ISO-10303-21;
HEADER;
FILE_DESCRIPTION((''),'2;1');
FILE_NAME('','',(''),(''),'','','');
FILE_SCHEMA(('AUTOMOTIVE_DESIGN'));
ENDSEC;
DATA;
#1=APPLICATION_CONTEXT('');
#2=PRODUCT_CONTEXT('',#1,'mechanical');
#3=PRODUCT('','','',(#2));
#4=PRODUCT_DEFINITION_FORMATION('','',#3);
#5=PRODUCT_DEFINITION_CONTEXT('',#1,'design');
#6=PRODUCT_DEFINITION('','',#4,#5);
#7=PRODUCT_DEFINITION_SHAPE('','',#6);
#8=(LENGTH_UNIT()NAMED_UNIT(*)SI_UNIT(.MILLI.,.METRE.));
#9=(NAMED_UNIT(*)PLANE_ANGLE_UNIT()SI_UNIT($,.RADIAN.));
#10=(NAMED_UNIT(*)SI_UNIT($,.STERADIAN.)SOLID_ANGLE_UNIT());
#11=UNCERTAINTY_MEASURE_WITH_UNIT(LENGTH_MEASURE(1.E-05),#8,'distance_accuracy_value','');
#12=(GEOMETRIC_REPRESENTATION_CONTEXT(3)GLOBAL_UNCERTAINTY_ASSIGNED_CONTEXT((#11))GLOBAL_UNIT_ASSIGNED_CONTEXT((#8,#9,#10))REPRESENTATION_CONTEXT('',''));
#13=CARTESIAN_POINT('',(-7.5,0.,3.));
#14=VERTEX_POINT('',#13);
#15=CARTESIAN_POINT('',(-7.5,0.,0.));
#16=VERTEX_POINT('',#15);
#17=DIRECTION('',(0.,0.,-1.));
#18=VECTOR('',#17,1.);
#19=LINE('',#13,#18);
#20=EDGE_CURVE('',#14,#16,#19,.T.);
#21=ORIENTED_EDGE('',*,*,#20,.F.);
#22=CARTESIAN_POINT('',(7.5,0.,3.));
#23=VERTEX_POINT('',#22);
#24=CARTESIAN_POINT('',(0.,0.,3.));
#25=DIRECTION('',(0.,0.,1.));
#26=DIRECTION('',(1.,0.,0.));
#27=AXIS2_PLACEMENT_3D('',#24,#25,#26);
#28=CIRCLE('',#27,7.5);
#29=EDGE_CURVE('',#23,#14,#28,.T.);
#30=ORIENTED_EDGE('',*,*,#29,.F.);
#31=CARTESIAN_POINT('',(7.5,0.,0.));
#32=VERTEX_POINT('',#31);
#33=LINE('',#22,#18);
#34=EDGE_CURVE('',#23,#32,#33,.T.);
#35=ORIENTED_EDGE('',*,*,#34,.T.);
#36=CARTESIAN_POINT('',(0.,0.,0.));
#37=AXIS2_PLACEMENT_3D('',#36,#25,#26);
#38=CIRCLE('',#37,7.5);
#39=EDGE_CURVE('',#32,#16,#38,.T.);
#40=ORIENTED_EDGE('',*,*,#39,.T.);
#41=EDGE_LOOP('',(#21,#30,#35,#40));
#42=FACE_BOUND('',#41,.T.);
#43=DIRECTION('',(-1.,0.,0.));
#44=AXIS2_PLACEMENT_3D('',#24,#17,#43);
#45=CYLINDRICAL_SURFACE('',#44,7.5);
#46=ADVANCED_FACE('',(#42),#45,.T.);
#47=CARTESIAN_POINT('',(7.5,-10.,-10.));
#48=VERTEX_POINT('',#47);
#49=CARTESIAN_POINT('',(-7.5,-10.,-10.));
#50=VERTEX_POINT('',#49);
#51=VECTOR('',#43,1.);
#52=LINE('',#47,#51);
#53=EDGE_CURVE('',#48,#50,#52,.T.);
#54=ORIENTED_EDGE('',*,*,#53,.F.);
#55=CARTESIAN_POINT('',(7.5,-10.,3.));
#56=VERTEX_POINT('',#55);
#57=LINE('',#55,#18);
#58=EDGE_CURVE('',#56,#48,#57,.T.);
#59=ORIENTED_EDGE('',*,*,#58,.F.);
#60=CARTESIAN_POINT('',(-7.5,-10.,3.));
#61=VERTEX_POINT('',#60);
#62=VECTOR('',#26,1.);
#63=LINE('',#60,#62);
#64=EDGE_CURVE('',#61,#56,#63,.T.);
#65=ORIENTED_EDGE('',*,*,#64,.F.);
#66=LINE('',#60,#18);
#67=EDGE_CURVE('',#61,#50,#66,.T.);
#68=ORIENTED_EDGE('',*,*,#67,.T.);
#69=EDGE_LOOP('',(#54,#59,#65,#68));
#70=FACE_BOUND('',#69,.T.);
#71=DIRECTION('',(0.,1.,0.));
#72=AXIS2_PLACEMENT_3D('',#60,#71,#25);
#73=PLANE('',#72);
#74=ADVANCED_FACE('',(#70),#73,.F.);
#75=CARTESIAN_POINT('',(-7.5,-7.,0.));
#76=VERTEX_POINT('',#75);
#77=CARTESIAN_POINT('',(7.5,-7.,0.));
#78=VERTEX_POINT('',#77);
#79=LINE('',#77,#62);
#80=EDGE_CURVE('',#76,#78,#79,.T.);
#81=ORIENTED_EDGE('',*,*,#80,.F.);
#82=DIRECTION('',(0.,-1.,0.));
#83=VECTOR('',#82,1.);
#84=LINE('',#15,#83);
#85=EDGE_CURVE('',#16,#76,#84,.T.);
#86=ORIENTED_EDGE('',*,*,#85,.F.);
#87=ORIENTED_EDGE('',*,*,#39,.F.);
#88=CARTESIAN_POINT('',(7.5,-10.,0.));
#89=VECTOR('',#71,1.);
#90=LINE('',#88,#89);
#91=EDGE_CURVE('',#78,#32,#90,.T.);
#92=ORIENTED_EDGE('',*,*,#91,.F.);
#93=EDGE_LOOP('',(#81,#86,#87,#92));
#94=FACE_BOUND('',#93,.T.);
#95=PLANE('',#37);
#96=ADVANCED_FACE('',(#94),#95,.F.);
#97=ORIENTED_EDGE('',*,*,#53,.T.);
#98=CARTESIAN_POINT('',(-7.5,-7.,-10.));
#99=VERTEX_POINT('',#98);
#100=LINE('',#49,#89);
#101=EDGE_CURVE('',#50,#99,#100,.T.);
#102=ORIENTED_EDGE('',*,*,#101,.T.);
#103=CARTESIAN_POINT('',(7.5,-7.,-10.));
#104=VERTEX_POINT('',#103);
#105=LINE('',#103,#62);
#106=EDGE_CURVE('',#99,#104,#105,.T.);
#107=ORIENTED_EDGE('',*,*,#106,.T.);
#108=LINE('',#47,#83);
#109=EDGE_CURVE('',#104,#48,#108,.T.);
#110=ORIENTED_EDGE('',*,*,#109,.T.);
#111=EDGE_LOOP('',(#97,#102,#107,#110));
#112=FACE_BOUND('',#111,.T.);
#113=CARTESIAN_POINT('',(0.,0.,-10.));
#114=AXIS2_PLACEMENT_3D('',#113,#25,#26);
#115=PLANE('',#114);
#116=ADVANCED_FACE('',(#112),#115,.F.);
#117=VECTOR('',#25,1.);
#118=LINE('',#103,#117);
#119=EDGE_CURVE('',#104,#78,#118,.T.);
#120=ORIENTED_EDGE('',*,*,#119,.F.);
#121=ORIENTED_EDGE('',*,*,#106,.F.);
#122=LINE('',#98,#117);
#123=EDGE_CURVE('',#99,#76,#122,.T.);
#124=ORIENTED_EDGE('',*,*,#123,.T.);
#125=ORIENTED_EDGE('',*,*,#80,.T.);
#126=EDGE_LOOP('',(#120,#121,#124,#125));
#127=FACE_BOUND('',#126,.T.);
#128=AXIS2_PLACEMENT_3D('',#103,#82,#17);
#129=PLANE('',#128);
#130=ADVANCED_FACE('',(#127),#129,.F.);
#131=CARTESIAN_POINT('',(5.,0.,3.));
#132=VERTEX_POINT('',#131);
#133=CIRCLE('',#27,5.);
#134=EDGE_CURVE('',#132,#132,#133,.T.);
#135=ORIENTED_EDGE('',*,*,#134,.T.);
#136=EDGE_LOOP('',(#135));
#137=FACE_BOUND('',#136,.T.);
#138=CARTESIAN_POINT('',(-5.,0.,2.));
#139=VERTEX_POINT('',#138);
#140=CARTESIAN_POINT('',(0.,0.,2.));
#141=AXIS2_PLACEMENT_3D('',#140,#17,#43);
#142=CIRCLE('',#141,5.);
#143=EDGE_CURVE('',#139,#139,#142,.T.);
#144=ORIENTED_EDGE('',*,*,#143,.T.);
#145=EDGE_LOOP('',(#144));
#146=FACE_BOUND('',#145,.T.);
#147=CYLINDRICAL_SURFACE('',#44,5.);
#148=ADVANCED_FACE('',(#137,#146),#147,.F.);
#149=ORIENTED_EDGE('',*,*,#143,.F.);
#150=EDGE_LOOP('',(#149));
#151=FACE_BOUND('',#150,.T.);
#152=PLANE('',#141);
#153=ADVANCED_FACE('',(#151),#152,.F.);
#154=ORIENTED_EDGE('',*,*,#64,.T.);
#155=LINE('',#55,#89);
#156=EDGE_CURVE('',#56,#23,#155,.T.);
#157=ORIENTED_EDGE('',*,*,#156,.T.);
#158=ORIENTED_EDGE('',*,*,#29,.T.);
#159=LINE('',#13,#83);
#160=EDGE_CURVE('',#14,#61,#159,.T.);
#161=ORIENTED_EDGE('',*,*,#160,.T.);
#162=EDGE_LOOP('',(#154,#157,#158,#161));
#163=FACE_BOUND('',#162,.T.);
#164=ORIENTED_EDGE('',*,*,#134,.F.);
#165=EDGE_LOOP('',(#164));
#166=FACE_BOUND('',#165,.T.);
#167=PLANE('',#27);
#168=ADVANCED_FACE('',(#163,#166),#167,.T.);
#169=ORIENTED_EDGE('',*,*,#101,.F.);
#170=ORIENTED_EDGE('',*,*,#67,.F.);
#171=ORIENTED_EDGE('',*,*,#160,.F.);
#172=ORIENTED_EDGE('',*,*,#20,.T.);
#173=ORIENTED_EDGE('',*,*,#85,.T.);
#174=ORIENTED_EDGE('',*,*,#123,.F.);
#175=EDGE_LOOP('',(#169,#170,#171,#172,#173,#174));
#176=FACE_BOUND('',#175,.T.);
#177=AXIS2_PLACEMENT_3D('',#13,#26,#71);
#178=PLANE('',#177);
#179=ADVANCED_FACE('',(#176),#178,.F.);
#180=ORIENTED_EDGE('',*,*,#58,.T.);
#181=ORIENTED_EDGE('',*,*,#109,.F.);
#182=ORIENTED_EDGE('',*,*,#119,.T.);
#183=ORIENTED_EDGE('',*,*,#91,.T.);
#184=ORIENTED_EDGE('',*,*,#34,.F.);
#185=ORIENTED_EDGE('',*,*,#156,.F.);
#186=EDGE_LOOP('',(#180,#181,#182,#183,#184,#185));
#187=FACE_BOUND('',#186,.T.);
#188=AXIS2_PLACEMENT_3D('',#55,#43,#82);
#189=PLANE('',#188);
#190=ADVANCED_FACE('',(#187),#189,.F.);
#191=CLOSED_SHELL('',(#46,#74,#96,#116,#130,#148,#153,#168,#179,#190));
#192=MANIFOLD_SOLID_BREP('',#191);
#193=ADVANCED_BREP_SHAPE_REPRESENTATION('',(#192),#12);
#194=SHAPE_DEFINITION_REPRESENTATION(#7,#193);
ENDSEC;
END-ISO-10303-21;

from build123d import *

# Parameters (mm, degrees)
SKETCH6_R           = 5
BOSS_EXTRUDE5_DEPTH = 3
SKETCH7_R           = 5
BOSS_EXTRUDE6_DEPTH = 2
SKETCH8_W           = 15
SKETCH8_H           = 3
BOSS_EXTRUDE7_DEPTH = 10


with BuildPart() as part:
    # Sketch6 → Boss-Extrude5 (new body)
    with BuildSketch(Plane.XY):
        with BuildLine():
            Line((-7.5, 0), (-7.5, -10))
            Line((-7.5, -10), (7.5, -10))
            Line((7.5, -10), (7.5, 0))
            ThreePointArc((7.5, 0), (0, 7.5), (-7.5, 0))
        make_face()
        Circle(SKETCH6_R, mode=Mode.SUBTRACT)
    extrude(amount=BOSS_EXTRUDE5_DEPTH)

    # Sketch7 → Boss-Extrude6 (add)
    with BuildSketch(Plane(origin=(0, 0, 0), x_dir=(-1, 0, 0), z_dir=(0, 0, -1))):
        Circle(SKETCH7_R)
    extrude(amount=-BOSS_EXTRUDE6_DEPTH)

    # Sketch8 → Boss-Extrude7 (add)
    with BuildSketch(Plane(origin=(0, 0, 0), x_dir=(-1, 0, 0), z_dir=(0, 0, -1))):
        with Locations((0, -8.5)):
            Rectangle(SKETCH8_W, SKETCH8_H)
    extrude(amount=BOSS_EXTRUDE7_DEPTH)


solid = part.part
